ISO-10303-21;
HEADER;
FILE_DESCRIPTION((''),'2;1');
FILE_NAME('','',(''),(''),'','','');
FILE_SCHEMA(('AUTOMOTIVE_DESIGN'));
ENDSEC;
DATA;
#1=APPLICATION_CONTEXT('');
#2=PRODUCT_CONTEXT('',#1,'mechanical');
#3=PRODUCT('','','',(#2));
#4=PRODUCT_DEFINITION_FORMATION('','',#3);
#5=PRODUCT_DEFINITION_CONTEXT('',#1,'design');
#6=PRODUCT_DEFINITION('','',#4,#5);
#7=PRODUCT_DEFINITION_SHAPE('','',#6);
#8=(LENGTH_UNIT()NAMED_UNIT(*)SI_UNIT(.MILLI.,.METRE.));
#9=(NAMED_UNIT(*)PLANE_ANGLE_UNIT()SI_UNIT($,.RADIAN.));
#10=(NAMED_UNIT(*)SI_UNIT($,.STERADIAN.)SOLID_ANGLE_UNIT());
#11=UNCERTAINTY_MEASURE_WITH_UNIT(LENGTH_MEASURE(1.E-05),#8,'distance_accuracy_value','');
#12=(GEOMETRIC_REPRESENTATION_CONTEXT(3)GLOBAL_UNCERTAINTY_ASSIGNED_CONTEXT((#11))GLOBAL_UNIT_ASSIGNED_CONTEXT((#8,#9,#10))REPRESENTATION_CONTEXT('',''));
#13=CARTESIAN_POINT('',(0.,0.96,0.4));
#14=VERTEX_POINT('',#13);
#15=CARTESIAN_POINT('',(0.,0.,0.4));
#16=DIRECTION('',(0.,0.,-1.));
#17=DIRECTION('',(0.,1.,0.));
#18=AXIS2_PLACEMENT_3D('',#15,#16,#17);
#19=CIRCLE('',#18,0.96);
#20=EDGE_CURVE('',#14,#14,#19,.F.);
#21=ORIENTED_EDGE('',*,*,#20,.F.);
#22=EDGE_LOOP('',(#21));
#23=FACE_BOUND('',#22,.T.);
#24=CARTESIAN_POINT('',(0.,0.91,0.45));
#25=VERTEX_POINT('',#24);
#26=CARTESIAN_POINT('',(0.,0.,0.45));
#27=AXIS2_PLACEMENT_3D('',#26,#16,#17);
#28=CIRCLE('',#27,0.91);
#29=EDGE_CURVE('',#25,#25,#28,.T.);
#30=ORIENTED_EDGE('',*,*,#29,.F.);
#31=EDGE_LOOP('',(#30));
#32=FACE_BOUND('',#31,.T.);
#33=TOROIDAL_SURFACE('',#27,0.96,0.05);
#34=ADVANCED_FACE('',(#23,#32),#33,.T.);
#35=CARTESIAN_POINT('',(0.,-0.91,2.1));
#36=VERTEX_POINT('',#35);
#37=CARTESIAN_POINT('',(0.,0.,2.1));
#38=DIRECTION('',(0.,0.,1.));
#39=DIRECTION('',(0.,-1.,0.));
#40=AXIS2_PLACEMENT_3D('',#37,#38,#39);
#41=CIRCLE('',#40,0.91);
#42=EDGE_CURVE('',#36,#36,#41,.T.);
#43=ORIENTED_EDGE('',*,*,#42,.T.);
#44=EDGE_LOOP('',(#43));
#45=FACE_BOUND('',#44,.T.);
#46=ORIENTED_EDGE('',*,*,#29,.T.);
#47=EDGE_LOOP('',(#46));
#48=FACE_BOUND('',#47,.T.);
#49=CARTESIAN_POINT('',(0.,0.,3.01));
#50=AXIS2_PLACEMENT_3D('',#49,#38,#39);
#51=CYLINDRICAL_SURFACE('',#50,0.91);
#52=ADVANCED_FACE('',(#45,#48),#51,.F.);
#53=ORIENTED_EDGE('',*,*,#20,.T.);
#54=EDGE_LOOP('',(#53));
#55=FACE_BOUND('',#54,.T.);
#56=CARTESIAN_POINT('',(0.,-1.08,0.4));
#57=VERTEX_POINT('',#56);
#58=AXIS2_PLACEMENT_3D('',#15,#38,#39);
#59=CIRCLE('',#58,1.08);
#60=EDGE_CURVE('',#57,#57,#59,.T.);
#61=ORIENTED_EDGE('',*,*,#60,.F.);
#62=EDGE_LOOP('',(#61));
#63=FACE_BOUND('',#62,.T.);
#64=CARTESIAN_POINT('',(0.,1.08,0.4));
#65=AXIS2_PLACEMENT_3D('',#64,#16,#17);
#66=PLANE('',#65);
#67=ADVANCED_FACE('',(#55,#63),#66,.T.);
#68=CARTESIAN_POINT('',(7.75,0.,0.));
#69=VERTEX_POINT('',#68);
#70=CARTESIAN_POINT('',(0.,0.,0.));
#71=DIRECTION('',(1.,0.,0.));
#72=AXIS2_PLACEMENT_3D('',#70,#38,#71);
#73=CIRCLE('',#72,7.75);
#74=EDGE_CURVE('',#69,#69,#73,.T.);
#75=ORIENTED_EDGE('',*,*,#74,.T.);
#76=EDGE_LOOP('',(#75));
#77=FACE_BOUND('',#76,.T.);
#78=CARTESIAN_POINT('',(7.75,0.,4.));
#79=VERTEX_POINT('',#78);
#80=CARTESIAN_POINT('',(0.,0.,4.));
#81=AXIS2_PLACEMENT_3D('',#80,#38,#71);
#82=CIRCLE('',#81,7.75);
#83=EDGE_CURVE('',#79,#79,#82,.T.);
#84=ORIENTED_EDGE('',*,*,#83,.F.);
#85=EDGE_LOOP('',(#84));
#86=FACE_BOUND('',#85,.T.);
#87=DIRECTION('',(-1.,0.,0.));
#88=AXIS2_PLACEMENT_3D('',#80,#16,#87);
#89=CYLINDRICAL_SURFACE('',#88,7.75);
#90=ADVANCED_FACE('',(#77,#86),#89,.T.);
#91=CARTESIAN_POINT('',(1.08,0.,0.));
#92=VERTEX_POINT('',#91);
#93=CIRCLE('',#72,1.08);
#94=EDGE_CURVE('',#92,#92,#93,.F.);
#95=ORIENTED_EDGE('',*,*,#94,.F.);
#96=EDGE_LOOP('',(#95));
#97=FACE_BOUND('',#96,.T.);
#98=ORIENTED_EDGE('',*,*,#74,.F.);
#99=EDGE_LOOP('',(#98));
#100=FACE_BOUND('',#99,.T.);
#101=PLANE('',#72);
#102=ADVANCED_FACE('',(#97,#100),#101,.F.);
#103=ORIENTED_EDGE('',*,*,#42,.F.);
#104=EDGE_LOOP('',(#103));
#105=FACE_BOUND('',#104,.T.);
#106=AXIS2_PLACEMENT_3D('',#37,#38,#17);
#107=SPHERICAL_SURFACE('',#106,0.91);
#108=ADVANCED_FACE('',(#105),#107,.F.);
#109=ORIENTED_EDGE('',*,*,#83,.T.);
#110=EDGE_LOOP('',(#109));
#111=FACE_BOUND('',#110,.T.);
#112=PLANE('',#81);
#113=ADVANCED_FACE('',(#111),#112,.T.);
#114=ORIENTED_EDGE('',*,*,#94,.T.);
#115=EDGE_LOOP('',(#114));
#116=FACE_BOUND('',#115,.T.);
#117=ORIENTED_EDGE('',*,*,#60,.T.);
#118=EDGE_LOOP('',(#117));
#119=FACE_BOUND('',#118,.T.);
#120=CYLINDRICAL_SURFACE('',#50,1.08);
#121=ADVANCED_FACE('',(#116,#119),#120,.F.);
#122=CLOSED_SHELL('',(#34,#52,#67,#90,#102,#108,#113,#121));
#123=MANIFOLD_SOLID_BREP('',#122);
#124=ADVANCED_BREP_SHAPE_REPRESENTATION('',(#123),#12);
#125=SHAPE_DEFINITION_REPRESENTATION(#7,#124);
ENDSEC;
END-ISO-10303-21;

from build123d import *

# Parameters (mm, degrees)
SKETCH1_R           = 7.75
BOSS_EXTRUDE1_DEPTH = 4
FILLET1_R           = 0.05


with BuildPart() as part:
    # Sketch1 → Boss-Extrude1 (new body)
    with BuildSketch(Plane.XY):
        Circle(SKETCH1_R)
    extrude(amount=BOSS_EXTRUDE1_DEPTH)

    # Sketch2 → Cut-Revolve1 (revolve, cut)
    with BuildSketch(Plane(origin=(0, 0, 0), x_dir=(0, 0, -1), z_dir=(1, 0, 0)), mode=Mode.PRIVATE) as cut_revolve1_sk:
        with BuildLine():
            Line((-0.4, 0.91), (-2.1, 0.91))
            ThreePointArc((-2.1, 0.91), (-2.743467171, 0.643467171), (-3.01, 0))
            Line((-3.01, 0), (0.05, 0))
            Line((0.05, 0), (0.05, 1.08))
            Line((0.05, 1.08), (-0.4, 1.08))
            Line((-0.4, 1.08), (-0.4, 0.91))
        make_face()
    revolve(cut_revolve1_sk.sketch.rotate(Axis((0, 0, 3.01), (0, 0, -1)), 180), axis=Axis((0, 0, 3.01), (0, 0, -1)), mode=Mode.SUBTRACT)

    # Fillet1
    fillet1_edges = [part.edges().sort_by_distance(p)[0] for p in [
        (0, 0.91, 0.4),
    ]]
    fillet(fillet1_edges, radius=FILLET1_R)


solid = part.part
